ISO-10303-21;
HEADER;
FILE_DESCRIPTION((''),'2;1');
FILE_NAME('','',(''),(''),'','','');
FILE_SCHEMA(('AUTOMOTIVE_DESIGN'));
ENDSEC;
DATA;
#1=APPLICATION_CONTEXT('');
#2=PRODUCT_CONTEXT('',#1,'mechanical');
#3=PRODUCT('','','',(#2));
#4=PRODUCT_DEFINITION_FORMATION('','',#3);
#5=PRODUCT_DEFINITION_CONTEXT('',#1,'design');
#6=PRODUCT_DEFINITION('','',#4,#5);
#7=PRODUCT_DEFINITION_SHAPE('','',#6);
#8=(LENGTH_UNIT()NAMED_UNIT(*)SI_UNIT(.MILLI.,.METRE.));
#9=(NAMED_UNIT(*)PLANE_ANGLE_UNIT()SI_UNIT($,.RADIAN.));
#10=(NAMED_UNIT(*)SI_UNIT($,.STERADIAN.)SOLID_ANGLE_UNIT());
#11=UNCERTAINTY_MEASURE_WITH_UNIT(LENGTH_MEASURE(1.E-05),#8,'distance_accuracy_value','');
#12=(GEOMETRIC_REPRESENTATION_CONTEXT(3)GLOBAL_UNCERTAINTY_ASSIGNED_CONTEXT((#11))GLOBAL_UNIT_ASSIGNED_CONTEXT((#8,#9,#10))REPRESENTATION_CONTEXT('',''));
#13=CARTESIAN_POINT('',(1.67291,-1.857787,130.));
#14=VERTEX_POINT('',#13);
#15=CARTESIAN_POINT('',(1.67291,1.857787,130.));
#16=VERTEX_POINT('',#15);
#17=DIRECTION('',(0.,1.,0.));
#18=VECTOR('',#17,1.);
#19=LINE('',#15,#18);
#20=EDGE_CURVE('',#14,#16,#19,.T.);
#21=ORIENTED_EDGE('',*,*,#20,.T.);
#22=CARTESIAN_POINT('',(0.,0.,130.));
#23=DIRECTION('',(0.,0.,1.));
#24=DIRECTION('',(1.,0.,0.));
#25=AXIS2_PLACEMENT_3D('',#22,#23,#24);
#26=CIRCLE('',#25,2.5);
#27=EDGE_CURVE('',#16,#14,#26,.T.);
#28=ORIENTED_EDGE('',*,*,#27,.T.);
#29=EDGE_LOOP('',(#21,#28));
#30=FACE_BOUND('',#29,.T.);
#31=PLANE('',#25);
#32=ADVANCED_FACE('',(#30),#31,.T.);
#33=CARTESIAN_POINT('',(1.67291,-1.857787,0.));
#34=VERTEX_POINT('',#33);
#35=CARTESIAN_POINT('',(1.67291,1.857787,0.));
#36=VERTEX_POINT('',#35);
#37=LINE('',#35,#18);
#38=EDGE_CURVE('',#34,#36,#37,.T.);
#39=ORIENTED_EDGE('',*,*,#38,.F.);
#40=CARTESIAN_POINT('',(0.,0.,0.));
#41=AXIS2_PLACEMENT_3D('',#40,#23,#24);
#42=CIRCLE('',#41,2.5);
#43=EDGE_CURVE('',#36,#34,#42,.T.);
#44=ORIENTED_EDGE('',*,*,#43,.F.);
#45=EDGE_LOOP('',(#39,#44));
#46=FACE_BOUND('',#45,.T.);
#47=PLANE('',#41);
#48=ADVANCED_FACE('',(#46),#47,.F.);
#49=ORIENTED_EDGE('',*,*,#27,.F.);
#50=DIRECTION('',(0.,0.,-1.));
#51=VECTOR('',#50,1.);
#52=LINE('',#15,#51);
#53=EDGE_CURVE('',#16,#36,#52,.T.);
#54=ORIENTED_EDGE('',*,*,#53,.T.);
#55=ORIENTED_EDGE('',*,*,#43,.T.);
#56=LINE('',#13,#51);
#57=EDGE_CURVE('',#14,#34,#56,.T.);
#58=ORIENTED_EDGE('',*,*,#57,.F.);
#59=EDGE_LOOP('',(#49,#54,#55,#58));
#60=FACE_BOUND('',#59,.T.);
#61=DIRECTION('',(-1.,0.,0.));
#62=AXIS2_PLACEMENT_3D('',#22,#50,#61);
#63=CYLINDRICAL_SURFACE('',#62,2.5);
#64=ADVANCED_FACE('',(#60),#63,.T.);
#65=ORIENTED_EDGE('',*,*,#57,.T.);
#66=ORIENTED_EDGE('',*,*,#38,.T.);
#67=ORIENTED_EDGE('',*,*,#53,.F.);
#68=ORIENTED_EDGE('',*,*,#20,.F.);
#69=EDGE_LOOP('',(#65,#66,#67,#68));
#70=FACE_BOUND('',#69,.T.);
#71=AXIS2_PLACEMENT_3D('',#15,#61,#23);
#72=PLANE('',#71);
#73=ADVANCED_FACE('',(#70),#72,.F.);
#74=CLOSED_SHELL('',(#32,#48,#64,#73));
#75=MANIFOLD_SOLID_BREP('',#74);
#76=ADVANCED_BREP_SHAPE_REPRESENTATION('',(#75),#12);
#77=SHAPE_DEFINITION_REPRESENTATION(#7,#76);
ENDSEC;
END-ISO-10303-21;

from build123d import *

# Parameters (mm, degrees)
CROQUIS1_R              = 2.5
SALIENTE_EXTRUIR1_DEPTH = 130
CORTAR_EXTRUIR1_DEPTH   = 131.048068036


with BuildPart() as part:
    # Croquis1 → Saliente-Extruir1 (new body)
    with BuildSketch(Plane.XY):
        Circle(CROQUIS1_R)
    extrude(amount=SALIENTE_EXTRUIR1_DEPTH)

    # Croquis2 → Cortar-Extruir1 (cut, through all)
    with BuildSketch(Plane(origin=(0, 0, 0), x_dir=(-1, 0, 0), z_dir=(0, 0, -1))):
        with BuildLine():
            Line((-1.672910403, 1.857786528), (-1.672910403, -1.857786528))
            ThreePointArc((-1.672910403, -1.857786528), (-2.5, 0), (-1.672910403, 1.857786528))
        make_face()
    extrude(amount=-CORTAR_EXTRUIR1_DEPTH, mode=Mode.SUBTRACT)


solid = part.part
